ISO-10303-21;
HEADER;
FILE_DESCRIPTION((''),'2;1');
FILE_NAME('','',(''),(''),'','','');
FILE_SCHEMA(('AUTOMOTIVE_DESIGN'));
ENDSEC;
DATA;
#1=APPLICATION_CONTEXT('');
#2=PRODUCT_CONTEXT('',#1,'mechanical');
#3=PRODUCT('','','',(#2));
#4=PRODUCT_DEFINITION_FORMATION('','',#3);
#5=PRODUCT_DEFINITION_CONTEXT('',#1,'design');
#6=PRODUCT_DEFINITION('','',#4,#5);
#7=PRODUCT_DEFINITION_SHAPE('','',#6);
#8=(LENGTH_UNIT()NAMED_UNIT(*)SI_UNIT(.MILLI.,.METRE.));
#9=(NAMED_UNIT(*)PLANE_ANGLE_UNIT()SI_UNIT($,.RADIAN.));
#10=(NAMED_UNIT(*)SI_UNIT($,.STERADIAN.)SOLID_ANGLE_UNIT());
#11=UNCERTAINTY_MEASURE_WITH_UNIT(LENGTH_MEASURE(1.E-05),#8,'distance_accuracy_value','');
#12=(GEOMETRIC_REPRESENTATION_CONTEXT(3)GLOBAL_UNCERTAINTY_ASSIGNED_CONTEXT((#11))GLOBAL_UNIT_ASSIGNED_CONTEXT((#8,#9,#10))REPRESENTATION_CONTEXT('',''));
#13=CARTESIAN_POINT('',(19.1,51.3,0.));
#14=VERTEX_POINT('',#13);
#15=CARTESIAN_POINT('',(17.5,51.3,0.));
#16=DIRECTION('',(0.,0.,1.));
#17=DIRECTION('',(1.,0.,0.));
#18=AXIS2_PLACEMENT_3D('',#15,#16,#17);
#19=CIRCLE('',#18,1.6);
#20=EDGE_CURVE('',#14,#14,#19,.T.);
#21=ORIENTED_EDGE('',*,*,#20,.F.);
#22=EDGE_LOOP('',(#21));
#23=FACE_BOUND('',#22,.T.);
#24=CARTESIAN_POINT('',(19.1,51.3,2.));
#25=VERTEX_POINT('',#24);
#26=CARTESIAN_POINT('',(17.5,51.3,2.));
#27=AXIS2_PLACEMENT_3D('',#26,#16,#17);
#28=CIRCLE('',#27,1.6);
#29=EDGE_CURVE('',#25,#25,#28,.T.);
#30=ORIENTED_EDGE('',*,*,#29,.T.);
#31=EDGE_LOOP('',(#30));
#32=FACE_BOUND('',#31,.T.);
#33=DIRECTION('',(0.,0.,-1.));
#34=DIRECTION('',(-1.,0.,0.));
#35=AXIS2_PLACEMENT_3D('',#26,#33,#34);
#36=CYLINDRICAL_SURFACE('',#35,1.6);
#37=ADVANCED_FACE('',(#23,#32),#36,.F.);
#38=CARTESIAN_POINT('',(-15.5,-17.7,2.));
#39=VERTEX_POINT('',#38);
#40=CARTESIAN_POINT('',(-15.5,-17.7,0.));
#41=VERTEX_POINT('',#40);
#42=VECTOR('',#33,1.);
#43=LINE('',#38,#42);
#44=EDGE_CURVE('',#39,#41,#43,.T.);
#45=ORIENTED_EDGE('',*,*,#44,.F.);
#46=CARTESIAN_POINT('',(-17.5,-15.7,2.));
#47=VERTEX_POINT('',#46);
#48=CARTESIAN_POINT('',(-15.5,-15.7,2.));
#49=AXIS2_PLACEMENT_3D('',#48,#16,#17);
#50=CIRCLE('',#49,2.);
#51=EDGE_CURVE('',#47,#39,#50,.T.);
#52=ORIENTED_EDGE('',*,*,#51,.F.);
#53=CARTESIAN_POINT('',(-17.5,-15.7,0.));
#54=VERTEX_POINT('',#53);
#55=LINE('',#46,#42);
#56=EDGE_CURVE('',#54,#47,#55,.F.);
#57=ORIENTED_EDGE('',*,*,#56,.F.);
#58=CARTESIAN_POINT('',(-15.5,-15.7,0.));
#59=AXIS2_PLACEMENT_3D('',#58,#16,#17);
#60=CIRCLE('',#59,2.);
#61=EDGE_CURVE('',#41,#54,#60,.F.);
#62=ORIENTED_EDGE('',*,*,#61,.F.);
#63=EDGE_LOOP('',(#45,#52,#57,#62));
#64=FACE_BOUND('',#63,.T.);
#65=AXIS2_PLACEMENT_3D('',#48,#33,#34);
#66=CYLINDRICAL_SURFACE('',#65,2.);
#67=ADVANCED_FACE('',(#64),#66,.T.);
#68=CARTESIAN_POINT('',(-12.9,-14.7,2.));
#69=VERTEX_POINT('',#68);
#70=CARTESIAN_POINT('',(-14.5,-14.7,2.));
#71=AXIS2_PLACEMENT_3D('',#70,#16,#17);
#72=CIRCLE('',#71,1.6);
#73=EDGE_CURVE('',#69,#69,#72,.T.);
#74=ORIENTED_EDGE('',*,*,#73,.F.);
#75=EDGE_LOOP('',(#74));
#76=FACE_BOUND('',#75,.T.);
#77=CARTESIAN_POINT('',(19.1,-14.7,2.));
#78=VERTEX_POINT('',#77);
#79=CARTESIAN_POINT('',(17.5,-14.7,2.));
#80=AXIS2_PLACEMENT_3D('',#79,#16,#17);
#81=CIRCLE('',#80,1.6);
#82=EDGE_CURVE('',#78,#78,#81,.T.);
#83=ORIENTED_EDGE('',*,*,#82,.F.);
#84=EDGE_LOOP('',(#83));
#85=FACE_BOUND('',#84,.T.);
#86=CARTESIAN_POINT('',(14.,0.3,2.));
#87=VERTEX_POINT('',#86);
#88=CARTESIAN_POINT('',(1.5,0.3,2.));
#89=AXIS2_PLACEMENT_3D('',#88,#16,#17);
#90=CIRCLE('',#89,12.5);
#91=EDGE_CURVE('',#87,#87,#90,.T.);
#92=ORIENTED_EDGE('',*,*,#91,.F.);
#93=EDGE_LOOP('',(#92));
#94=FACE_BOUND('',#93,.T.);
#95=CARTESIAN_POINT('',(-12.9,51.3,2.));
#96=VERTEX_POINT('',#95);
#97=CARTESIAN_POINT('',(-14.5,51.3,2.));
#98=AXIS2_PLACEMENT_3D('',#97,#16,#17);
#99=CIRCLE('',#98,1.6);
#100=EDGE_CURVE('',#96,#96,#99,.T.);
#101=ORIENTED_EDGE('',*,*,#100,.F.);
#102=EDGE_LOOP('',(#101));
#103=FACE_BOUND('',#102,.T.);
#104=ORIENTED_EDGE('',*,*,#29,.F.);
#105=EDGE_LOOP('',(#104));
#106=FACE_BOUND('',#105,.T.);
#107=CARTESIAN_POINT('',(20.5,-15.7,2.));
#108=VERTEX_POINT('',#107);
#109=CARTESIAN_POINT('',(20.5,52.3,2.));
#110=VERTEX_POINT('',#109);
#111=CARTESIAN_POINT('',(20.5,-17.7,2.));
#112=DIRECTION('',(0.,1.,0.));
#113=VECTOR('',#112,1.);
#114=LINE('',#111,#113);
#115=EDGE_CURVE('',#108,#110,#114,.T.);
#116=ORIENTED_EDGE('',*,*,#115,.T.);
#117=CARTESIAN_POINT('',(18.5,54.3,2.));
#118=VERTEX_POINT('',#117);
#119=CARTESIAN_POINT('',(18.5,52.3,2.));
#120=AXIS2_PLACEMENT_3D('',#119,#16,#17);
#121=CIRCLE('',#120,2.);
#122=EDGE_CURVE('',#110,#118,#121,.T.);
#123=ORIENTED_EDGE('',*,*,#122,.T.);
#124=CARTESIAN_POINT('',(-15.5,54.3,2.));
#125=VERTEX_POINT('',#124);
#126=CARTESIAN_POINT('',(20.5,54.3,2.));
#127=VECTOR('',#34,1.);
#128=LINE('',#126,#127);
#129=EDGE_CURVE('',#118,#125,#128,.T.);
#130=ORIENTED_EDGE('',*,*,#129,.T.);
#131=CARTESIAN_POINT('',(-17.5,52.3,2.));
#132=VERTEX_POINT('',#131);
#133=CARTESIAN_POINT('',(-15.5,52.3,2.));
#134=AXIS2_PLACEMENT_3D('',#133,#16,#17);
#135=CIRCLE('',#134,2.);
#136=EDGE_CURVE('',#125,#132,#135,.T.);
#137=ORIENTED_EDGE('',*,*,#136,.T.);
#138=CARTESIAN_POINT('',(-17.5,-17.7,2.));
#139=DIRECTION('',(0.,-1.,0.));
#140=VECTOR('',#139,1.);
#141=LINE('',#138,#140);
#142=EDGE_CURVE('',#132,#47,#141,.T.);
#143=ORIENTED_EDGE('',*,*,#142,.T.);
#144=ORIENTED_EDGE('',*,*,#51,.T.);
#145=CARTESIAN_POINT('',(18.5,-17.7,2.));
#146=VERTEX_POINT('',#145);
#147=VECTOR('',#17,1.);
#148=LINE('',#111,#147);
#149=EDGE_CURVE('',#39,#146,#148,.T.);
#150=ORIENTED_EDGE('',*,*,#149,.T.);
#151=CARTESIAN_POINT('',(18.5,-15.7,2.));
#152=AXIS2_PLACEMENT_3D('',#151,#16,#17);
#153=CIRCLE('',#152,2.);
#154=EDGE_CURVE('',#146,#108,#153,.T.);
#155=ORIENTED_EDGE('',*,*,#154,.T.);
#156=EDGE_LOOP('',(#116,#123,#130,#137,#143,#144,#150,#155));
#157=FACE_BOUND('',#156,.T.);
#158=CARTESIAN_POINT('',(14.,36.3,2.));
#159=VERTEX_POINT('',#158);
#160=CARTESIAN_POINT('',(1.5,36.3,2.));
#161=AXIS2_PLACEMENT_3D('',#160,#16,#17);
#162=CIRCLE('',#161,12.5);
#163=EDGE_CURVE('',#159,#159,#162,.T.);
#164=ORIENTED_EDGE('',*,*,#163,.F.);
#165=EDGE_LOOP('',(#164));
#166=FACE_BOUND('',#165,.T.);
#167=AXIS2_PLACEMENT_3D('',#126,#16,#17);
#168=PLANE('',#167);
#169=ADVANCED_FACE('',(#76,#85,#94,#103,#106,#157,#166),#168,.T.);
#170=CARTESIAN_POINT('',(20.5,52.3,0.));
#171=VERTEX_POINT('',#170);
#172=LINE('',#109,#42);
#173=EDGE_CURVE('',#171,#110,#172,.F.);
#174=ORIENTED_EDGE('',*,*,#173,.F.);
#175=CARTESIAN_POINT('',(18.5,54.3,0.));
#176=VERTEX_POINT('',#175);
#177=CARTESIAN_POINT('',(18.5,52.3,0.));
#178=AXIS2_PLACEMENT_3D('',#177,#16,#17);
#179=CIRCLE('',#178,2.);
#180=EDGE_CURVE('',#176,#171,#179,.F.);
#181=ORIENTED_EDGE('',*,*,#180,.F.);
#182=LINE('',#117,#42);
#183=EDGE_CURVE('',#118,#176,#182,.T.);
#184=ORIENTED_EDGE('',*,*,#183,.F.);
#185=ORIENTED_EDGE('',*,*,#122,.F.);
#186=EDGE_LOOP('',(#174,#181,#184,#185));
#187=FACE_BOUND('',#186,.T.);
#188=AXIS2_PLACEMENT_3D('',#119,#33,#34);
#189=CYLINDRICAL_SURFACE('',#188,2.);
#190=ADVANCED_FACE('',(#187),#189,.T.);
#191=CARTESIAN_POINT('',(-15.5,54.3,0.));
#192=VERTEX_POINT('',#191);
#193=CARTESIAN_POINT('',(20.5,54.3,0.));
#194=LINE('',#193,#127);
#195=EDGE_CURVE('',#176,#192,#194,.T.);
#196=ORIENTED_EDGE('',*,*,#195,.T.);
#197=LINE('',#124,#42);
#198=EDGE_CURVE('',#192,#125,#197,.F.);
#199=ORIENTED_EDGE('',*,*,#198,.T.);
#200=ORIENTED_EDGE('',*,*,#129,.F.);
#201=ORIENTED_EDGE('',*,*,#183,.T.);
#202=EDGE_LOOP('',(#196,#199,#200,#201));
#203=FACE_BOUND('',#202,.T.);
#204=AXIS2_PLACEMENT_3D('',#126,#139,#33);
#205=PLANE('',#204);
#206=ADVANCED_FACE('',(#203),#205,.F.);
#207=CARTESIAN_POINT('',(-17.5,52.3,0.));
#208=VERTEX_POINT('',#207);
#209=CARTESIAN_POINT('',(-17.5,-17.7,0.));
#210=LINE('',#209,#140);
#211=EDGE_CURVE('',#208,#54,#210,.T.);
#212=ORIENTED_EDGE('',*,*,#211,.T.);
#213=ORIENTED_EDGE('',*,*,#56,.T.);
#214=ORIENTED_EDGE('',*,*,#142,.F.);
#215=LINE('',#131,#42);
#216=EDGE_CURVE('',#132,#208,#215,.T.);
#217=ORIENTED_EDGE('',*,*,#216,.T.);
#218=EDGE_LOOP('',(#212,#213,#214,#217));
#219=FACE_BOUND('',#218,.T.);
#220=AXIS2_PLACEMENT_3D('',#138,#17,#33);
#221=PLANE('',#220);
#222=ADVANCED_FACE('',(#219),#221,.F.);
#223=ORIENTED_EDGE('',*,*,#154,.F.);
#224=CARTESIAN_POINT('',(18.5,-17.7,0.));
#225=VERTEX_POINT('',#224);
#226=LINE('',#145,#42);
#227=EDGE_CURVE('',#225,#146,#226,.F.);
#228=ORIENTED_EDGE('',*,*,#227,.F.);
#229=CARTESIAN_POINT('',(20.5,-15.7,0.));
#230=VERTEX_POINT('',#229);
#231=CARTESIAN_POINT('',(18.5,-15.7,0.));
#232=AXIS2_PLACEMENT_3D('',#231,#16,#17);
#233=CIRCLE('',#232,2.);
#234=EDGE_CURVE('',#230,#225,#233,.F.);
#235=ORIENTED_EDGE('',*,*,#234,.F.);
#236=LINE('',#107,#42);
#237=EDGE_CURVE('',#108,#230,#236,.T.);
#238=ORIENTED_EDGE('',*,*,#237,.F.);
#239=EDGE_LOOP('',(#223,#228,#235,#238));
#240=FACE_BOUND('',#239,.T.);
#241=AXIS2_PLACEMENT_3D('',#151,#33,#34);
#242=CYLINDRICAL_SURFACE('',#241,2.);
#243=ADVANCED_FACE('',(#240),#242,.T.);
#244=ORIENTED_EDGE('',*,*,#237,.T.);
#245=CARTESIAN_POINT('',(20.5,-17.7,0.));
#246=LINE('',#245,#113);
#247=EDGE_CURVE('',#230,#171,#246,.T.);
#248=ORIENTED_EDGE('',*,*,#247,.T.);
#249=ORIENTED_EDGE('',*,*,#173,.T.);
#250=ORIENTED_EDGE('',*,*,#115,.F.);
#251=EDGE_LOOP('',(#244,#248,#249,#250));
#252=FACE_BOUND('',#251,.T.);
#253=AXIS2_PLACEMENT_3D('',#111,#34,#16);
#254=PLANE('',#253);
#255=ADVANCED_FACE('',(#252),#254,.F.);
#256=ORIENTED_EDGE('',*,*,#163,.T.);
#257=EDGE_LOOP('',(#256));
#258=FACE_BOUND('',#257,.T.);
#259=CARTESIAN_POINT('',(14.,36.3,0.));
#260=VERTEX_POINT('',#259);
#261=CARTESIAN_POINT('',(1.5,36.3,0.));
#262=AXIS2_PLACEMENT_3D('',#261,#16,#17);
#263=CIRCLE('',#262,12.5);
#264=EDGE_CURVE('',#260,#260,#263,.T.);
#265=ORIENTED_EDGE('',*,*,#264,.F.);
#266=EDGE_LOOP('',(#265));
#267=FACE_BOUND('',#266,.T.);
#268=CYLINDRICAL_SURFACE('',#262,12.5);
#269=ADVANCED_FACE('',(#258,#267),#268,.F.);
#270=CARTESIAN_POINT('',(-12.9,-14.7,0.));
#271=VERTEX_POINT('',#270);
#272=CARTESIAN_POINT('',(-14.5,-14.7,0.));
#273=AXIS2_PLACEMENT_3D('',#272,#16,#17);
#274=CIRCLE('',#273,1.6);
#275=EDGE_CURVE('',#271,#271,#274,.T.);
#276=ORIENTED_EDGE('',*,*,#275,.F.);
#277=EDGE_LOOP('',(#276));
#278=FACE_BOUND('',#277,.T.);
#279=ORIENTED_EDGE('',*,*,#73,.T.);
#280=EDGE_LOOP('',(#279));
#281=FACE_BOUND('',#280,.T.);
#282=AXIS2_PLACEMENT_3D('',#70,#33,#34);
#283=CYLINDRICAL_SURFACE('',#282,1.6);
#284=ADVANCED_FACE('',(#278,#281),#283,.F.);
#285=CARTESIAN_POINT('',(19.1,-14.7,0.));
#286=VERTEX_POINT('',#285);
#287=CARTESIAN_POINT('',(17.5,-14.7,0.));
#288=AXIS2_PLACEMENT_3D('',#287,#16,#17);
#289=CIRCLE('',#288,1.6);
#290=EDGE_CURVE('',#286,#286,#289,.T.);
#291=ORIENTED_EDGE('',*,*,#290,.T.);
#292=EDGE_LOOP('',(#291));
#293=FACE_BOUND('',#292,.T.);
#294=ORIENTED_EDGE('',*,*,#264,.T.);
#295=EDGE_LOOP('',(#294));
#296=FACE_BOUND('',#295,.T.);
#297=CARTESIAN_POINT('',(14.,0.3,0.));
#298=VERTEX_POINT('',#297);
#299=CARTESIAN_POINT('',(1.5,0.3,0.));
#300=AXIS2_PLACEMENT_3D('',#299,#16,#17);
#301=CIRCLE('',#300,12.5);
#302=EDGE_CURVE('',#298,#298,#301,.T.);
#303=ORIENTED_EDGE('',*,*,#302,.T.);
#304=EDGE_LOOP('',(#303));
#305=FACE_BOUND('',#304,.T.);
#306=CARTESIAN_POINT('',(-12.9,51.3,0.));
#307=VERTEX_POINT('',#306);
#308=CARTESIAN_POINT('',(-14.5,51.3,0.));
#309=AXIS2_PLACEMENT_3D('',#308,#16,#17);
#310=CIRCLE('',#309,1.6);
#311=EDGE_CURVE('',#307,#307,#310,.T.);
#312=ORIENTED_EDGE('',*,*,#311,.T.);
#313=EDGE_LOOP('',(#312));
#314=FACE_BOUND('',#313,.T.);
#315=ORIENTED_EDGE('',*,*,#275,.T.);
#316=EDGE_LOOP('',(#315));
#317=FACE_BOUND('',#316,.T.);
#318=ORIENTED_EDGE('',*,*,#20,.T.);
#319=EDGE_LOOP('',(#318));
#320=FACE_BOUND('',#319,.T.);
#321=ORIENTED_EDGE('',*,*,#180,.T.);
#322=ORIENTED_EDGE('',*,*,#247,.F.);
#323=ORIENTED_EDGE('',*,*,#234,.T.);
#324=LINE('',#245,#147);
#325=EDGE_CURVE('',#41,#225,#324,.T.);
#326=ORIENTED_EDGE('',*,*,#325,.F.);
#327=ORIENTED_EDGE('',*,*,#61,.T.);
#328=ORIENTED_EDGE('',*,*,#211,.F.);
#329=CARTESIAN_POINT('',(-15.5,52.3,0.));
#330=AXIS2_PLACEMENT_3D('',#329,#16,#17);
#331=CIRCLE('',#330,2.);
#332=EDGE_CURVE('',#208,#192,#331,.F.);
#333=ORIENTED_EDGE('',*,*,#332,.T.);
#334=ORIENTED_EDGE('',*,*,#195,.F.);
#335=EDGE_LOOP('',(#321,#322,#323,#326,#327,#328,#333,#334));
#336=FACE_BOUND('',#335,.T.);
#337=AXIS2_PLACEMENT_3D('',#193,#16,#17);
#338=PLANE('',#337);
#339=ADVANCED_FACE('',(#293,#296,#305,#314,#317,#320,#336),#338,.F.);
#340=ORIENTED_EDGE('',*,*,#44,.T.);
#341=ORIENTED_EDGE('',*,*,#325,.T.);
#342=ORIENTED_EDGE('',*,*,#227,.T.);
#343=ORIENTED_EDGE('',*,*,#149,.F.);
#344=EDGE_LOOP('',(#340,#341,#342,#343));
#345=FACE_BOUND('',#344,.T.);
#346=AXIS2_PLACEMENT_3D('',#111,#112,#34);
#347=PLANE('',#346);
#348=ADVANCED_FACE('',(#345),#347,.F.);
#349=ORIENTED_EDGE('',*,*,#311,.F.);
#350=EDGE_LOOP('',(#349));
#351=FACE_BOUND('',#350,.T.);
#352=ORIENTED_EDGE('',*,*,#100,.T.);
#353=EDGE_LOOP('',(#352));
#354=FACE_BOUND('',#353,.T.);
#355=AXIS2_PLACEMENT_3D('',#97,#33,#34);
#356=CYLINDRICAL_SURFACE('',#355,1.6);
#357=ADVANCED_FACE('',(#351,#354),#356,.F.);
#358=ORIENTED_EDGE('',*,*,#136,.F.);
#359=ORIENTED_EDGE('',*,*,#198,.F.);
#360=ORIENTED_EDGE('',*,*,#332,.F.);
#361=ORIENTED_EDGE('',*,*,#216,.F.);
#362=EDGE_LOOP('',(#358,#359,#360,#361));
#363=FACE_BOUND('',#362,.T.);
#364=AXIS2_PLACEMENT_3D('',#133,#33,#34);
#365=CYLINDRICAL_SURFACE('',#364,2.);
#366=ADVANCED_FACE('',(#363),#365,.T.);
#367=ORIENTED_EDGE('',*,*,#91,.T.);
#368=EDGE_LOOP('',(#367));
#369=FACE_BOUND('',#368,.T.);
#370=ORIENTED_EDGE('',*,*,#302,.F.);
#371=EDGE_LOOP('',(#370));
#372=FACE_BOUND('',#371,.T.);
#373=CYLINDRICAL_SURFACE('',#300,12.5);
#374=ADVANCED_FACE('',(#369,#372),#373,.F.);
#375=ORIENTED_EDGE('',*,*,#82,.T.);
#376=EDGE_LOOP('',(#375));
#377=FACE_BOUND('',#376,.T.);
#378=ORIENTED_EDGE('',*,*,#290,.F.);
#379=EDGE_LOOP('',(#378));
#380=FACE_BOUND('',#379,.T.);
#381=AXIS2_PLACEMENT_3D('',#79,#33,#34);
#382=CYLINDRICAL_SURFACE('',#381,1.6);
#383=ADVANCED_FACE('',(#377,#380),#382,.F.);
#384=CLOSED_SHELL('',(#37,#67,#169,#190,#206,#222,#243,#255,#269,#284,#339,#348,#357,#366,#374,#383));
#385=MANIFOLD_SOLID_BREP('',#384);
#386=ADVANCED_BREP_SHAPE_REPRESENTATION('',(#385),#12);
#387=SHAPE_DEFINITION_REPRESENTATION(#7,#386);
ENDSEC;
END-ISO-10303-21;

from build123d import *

# Parameters (mm, degrees)
SKETCH1_W           = 38
SKETCH1_H           = 72
SKETCH1_R           = 1.6
BOSS_EXTRUDE1_DEPTH = 2
SKETCH2_R           = 12.5
CUT_EXTRUDE1_DEPTH  = 59.075295953
FILLET2_R           = 2


with BuildPart() as part:
    # Sketch1 → Boss-Extrude1 (new body)
    with BuildSketch(Plane.XY):
        with Locations((1.5, 18.3)):
            Rectangle(SKETCH1_W, SKETCH1_H)
        with Locations((17.5, -14.7)):
            Circle(SKETCH1_R, mode=Mode.SUBTRACT)
        with Locations((-14.5, -14.7)):
            Circle(SKETCH1_R, mode=Mode.SUBTRACT)
        with Locations((17.5, 51.3)):
            Circle(SKETCH1_R, mode=Mode.SUBTRACT)
        with Locations((-14.5, 51.3)):
            Circle(SKETCH1_R, mode=Mode.SUBTRACT)
    extrude(amount=BOSS_EXTRUDE1_DEPTH)

    # Sketch2 → Cut-Extrude1 (cut, through all)
    with BuildSketch(Plane.XY.offset(2)):
        with Locations((1.5, 0.3)):
            Circle(SKETCH2_R)
        with Locations((1.5, 36.3)):
            Circle(SKETCH2_R)
    extrude(amount=-CUT_EXTRUDE1_DEPTH, mode=Mode.SUBTRACT)

    # Fillet2
    fillet2_edges = [part.edges().sort_by_distance(p)[0] for p in [
        (20.5, -17.7, 1),
        (-17.5, -17.7, 1),
        (-17.5, 54.3, 1),
        (20.5, 54.3, 1),
    ]]
    fillet(fillet2_edges, radius=FILLET2_R)


solid = part.part
